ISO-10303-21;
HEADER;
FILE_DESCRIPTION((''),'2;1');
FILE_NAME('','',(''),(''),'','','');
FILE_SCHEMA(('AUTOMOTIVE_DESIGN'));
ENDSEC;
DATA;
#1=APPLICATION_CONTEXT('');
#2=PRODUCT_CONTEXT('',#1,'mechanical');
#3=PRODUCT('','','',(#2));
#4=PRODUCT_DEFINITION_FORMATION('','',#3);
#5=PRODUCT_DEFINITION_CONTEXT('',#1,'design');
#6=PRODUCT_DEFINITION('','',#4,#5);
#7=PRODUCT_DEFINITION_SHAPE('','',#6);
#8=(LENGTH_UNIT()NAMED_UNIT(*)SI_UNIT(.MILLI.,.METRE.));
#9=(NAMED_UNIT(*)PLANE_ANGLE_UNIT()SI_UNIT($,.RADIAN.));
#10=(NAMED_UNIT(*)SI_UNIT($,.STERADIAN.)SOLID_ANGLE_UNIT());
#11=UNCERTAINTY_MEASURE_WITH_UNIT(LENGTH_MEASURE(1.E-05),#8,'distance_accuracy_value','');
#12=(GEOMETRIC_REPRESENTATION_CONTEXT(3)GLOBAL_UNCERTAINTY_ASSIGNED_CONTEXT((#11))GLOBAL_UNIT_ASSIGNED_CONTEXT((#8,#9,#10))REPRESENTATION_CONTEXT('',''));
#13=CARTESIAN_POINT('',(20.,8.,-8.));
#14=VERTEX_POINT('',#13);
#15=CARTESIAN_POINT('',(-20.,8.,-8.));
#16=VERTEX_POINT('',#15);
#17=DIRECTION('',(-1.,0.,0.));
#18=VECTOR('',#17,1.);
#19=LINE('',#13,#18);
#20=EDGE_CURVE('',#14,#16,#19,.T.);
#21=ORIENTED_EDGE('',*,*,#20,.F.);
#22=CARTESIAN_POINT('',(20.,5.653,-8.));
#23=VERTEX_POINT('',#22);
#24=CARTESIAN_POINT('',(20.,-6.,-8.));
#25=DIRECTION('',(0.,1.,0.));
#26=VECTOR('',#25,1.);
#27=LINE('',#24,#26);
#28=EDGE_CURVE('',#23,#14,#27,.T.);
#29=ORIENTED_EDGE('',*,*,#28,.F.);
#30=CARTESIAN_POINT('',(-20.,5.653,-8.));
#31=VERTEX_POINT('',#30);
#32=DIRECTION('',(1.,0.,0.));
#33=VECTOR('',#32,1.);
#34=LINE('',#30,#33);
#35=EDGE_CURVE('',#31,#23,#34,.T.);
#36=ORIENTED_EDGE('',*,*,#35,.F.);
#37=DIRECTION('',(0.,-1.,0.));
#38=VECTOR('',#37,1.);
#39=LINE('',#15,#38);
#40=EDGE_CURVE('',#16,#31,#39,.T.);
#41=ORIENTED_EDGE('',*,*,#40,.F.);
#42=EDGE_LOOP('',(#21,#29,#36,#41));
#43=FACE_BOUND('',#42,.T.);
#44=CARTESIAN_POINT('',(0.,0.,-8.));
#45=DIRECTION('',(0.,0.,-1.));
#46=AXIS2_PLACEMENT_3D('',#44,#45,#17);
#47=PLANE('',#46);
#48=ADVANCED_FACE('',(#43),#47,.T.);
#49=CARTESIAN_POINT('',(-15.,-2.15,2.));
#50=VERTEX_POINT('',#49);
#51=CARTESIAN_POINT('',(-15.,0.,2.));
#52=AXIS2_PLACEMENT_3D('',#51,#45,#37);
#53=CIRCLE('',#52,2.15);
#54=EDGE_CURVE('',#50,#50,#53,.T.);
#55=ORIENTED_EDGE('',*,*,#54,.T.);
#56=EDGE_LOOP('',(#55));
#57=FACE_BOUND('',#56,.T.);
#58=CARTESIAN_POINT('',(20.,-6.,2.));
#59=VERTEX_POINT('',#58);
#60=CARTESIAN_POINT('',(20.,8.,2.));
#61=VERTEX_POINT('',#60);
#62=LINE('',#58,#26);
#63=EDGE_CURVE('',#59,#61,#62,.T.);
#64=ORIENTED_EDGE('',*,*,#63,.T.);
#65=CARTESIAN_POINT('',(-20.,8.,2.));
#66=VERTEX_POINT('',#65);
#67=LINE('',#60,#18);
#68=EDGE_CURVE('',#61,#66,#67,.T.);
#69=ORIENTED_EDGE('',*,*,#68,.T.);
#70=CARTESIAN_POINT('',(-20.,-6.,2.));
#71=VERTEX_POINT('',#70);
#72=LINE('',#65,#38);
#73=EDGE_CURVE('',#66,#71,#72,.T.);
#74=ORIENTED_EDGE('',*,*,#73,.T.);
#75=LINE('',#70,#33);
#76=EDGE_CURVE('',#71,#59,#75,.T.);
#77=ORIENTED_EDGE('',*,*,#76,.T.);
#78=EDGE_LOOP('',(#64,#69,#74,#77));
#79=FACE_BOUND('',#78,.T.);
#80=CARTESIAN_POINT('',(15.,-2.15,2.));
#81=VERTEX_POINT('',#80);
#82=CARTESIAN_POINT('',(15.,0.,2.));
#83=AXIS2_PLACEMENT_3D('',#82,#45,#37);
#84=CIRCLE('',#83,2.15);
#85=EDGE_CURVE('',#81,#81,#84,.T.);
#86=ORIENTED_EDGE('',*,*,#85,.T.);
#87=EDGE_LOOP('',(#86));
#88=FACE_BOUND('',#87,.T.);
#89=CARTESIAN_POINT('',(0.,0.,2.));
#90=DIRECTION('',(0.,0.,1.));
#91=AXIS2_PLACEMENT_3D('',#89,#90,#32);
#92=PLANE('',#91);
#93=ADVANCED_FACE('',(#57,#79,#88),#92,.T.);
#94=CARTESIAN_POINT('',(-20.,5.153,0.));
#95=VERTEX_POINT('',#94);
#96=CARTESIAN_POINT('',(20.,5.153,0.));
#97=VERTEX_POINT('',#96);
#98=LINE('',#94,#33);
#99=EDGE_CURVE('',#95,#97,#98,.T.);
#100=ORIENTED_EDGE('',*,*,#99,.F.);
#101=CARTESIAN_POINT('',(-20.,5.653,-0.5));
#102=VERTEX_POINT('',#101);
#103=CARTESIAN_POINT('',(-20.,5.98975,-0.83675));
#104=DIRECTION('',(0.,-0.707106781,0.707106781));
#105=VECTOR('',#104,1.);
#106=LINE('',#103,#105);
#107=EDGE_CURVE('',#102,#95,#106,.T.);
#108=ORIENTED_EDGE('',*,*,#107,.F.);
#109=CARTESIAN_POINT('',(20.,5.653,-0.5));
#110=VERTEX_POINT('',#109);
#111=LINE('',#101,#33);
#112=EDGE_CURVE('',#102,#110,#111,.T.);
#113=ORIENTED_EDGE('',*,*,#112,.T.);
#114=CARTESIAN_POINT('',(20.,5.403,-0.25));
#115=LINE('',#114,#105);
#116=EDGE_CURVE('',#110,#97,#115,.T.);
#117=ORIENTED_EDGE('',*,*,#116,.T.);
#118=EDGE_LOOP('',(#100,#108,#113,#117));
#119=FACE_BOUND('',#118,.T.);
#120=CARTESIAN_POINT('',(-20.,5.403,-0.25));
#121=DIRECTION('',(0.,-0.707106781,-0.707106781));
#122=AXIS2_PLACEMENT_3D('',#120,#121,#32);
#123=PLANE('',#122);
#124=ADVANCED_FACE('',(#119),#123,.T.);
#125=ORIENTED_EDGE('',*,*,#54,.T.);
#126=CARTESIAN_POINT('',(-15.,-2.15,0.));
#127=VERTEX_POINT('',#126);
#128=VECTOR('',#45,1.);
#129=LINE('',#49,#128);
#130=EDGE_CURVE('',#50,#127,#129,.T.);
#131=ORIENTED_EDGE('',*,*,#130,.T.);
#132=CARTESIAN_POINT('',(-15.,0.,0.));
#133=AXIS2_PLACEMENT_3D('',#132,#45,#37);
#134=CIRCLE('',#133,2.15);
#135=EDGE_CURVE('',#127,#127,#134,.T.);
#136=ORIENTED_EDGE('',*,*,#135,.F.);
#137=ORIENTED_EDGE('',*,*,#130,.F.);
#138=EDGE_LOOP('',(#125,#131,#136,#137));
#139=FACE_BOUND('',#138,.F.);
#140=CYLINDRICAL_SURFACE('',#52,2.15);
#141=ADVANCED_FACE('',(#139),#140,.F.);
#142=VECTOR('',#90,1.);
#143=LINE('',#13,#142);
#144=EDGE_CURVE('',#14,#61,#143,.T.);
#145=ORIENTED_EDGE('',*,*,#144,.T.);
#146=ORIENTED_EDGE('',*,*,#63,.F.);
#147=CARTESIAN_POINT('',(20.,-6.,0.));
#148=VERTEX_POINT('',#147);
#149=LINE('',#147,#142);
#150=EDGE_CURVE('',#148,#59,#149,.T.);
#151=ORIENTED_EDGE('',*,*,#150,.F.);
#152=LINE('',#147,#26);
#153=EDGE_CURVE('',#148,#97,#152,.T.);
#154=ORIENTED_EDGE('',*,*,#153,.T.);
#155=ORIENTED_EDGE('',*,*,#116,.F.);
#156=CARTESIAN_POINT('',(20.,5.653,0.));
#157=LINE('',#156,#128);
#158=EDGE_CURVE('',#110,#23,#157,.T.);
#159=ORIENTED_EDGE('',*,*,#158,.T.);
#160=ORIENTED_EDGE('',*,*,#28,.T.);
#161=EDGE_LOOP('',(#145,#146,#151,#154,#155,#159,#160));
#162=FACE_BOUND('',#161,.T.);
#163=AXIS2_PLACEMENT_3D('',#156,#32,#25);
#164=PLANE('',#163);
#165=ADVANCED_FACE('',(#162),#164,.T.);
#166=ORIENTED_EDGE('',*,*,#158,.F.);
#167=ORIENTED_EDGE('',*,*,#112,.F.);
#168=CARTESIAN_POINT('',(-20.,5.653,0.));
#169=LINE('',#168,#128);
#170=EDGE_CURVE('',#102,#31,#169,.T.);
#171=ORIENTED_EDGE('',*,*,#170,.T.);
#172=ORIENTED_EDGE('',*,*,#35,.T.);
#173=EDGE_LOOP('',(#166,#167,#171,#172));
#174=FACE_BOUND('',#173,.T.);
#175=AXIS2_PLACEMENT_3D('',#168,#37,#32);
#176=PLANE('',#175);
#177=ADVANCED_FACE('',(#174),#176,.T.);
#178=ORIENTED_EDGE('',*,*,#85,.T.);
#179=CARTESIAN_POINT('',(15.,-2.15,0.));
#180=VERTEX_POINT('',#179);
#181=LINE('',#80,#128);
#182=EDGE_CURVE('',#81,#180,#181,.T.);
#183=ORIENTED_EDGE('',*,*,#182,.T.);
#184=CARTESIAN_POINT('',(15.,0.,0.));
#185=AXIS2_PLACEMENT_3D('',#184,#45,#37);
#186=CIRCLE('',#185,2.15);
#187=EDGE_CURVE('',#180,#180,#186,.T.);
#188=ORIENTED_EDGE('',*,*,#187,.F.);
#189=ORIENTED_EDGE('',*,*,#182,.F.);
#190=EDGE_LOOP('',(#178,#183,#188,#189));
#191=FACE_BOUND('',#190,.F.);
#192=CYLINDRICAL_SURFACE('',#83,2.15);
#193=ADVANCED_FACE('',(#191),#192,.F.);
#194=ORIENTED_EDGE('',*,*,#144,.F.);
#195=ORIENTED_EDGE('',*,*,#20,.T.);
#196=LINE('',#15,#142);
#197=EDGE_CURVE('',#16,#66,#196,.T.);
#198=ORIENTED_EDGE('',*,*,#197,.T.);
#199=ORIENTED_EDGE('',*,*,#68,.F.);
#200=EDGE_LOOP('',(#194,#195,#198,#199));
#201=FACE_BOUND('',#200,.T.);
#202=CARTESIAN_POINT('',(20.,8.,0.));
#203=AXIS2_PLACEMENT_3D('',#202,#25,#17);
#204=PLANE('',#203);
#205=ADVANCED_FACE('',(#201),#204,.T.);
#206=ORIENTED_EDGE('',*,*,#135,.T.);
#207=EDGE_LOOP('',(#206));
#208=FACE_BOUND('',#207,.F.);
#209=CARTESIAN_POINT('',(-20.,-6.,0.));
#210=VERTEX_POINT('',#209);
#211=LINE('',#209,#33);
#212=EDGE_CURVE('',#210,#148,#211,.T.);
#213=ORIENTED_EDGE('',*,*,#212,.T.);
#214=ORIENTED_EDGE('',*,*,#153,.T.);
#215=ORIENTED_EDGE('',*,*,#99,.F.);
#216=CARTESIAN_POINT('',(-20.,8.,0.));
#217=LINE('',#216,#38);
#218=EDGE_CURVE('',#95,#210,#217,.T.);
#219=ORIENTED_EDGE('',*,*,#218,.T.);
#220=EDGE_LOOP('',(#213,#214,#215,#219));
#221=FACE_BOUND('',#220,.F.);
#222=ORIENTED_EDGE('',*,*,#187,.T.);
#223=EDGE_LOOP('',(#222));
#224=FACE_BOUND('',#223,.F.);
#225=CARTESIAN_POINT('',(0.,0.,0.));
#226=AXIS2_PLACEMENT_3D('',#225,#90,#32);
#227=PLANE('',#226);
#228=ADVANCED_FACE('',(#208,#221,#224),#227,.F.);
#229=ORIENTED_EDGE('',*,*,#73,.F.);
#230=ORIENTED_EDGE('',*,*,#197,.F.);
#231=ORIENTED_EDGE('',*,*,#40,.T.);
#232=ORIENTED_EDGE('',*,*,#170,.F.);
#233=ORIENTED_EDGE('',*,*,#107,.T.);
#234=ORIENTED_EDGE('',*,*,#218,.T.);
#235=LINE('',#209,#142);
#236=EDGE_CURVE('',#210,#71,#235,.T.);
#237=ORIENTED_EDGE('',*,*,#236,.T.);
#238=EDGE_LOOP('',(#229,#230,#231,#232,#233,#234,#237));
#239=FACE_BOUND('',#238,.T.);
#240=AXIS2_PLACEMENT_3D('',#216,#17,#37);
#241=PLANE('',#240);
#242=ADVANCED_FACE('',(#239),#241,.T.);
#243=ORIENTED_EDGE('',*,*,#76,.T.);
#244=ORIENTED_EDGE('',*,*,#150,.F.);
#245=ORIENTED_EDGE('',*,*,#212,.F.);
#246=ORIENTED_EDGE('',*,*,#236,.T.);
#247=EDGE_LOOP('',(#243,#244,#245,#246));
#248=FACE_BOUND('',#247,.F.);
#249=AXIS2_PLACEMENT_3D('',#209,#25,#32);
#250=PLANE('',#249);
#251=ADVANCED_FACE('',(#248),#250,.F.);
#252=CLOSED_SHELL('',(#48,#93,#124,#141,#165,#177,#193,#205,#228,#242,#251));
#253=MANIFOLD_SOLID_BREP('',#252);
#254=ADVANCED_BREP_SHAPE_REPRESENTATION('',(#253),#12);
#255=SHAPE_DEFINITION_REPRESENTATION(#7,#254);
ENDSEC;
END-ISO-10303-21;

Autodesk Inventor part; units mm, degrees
ref_plane "YZ Plane" through (0, 0, 0) normal (1, 0, 0) x (0, 1, 0)
ref_plane "XZ Plane" through (0, 0, 0) normal (0, 1, 0) x (-1, 0, 0)
ref_plane "XY Plane" through (0, 0, 0) normal (0, 0, 1) x (1, 0, 0)
sketch "スケッチ1" plane through (0, 0, 0) normal (0, 0, 1) x (1, 0, 0)
  line L0 (-20, -6) -> (20, -6)
  line L1 (20, -6) -> (20, 8)
  line L2 (20, 8) -> (-20, 8)
  line L3 (-20, 8) -> (-20, -6)
  point P0 (0, 0)
  dimension "d1" = 40
  dimension "d21" = 8
  dimension "d22" = 6
  dimension "d23" = 20
extrude "押し出し1" add sketch "スケッチ1" along normal blind 2
sketch "スケッチ2" plane through (0, 0, 2) normal (0, 0, 1) x (1, 0, 0)
  line L0 (-20, -6) -> (20, -6) projected
  point P0 (0, 0)
  point P1 (-15, 0)
  point P2 (15, 0)
  dimension "d4" = 6
  dimension "d5" = 6
  dimension "d24" = 15
  dimension "d25" = 15
hole "穴1" at (-15, 0, 2) at (15, 0, 2) direction (0, 0, -1) diameter 4.3 end through all clearance for "Flat Head Machine Screw" size "M4" standard "Ansi Metric M Profile"
sketch "スケッチ3" plane through (0, 0, 0) normal (0, 0, -1) x (-1, 0, 0)
  circle A0 centre (15, 0) radius 2.15 projected
  circle A1 centre (-15, 0) radius 2.15 projected
  line L0 (-20, -6) -> (-20, 8) projected
  line L1 (20, -6) -> (-20, -6) projected
  line L2 (20, 8) -> (20, -6) projected
  line L3 (-20, 8) -> (20, 8) projected
  line L4 (-20, 8) -> (20, 8)
  line L5 (20, 8) -> (20, 5.653)
  line L6 (20, 5.653) -> (-20, 5.653)
  line L7 (-20, 5.653) -> (-20, 8)
  point P0 (0, 0)
  point P1 (-20, 5.653)
  dimension "d15" = 2.347
extrude "押し出し2" add sketch "スケッチ3" along normal blind 8 contours L0 L3 L2 L6
chamfer "面取り2" distance 0.5 angle 45 1 edges at (0, 5.653, 0)
properties part number "base38" material "ABS プラスチック"
